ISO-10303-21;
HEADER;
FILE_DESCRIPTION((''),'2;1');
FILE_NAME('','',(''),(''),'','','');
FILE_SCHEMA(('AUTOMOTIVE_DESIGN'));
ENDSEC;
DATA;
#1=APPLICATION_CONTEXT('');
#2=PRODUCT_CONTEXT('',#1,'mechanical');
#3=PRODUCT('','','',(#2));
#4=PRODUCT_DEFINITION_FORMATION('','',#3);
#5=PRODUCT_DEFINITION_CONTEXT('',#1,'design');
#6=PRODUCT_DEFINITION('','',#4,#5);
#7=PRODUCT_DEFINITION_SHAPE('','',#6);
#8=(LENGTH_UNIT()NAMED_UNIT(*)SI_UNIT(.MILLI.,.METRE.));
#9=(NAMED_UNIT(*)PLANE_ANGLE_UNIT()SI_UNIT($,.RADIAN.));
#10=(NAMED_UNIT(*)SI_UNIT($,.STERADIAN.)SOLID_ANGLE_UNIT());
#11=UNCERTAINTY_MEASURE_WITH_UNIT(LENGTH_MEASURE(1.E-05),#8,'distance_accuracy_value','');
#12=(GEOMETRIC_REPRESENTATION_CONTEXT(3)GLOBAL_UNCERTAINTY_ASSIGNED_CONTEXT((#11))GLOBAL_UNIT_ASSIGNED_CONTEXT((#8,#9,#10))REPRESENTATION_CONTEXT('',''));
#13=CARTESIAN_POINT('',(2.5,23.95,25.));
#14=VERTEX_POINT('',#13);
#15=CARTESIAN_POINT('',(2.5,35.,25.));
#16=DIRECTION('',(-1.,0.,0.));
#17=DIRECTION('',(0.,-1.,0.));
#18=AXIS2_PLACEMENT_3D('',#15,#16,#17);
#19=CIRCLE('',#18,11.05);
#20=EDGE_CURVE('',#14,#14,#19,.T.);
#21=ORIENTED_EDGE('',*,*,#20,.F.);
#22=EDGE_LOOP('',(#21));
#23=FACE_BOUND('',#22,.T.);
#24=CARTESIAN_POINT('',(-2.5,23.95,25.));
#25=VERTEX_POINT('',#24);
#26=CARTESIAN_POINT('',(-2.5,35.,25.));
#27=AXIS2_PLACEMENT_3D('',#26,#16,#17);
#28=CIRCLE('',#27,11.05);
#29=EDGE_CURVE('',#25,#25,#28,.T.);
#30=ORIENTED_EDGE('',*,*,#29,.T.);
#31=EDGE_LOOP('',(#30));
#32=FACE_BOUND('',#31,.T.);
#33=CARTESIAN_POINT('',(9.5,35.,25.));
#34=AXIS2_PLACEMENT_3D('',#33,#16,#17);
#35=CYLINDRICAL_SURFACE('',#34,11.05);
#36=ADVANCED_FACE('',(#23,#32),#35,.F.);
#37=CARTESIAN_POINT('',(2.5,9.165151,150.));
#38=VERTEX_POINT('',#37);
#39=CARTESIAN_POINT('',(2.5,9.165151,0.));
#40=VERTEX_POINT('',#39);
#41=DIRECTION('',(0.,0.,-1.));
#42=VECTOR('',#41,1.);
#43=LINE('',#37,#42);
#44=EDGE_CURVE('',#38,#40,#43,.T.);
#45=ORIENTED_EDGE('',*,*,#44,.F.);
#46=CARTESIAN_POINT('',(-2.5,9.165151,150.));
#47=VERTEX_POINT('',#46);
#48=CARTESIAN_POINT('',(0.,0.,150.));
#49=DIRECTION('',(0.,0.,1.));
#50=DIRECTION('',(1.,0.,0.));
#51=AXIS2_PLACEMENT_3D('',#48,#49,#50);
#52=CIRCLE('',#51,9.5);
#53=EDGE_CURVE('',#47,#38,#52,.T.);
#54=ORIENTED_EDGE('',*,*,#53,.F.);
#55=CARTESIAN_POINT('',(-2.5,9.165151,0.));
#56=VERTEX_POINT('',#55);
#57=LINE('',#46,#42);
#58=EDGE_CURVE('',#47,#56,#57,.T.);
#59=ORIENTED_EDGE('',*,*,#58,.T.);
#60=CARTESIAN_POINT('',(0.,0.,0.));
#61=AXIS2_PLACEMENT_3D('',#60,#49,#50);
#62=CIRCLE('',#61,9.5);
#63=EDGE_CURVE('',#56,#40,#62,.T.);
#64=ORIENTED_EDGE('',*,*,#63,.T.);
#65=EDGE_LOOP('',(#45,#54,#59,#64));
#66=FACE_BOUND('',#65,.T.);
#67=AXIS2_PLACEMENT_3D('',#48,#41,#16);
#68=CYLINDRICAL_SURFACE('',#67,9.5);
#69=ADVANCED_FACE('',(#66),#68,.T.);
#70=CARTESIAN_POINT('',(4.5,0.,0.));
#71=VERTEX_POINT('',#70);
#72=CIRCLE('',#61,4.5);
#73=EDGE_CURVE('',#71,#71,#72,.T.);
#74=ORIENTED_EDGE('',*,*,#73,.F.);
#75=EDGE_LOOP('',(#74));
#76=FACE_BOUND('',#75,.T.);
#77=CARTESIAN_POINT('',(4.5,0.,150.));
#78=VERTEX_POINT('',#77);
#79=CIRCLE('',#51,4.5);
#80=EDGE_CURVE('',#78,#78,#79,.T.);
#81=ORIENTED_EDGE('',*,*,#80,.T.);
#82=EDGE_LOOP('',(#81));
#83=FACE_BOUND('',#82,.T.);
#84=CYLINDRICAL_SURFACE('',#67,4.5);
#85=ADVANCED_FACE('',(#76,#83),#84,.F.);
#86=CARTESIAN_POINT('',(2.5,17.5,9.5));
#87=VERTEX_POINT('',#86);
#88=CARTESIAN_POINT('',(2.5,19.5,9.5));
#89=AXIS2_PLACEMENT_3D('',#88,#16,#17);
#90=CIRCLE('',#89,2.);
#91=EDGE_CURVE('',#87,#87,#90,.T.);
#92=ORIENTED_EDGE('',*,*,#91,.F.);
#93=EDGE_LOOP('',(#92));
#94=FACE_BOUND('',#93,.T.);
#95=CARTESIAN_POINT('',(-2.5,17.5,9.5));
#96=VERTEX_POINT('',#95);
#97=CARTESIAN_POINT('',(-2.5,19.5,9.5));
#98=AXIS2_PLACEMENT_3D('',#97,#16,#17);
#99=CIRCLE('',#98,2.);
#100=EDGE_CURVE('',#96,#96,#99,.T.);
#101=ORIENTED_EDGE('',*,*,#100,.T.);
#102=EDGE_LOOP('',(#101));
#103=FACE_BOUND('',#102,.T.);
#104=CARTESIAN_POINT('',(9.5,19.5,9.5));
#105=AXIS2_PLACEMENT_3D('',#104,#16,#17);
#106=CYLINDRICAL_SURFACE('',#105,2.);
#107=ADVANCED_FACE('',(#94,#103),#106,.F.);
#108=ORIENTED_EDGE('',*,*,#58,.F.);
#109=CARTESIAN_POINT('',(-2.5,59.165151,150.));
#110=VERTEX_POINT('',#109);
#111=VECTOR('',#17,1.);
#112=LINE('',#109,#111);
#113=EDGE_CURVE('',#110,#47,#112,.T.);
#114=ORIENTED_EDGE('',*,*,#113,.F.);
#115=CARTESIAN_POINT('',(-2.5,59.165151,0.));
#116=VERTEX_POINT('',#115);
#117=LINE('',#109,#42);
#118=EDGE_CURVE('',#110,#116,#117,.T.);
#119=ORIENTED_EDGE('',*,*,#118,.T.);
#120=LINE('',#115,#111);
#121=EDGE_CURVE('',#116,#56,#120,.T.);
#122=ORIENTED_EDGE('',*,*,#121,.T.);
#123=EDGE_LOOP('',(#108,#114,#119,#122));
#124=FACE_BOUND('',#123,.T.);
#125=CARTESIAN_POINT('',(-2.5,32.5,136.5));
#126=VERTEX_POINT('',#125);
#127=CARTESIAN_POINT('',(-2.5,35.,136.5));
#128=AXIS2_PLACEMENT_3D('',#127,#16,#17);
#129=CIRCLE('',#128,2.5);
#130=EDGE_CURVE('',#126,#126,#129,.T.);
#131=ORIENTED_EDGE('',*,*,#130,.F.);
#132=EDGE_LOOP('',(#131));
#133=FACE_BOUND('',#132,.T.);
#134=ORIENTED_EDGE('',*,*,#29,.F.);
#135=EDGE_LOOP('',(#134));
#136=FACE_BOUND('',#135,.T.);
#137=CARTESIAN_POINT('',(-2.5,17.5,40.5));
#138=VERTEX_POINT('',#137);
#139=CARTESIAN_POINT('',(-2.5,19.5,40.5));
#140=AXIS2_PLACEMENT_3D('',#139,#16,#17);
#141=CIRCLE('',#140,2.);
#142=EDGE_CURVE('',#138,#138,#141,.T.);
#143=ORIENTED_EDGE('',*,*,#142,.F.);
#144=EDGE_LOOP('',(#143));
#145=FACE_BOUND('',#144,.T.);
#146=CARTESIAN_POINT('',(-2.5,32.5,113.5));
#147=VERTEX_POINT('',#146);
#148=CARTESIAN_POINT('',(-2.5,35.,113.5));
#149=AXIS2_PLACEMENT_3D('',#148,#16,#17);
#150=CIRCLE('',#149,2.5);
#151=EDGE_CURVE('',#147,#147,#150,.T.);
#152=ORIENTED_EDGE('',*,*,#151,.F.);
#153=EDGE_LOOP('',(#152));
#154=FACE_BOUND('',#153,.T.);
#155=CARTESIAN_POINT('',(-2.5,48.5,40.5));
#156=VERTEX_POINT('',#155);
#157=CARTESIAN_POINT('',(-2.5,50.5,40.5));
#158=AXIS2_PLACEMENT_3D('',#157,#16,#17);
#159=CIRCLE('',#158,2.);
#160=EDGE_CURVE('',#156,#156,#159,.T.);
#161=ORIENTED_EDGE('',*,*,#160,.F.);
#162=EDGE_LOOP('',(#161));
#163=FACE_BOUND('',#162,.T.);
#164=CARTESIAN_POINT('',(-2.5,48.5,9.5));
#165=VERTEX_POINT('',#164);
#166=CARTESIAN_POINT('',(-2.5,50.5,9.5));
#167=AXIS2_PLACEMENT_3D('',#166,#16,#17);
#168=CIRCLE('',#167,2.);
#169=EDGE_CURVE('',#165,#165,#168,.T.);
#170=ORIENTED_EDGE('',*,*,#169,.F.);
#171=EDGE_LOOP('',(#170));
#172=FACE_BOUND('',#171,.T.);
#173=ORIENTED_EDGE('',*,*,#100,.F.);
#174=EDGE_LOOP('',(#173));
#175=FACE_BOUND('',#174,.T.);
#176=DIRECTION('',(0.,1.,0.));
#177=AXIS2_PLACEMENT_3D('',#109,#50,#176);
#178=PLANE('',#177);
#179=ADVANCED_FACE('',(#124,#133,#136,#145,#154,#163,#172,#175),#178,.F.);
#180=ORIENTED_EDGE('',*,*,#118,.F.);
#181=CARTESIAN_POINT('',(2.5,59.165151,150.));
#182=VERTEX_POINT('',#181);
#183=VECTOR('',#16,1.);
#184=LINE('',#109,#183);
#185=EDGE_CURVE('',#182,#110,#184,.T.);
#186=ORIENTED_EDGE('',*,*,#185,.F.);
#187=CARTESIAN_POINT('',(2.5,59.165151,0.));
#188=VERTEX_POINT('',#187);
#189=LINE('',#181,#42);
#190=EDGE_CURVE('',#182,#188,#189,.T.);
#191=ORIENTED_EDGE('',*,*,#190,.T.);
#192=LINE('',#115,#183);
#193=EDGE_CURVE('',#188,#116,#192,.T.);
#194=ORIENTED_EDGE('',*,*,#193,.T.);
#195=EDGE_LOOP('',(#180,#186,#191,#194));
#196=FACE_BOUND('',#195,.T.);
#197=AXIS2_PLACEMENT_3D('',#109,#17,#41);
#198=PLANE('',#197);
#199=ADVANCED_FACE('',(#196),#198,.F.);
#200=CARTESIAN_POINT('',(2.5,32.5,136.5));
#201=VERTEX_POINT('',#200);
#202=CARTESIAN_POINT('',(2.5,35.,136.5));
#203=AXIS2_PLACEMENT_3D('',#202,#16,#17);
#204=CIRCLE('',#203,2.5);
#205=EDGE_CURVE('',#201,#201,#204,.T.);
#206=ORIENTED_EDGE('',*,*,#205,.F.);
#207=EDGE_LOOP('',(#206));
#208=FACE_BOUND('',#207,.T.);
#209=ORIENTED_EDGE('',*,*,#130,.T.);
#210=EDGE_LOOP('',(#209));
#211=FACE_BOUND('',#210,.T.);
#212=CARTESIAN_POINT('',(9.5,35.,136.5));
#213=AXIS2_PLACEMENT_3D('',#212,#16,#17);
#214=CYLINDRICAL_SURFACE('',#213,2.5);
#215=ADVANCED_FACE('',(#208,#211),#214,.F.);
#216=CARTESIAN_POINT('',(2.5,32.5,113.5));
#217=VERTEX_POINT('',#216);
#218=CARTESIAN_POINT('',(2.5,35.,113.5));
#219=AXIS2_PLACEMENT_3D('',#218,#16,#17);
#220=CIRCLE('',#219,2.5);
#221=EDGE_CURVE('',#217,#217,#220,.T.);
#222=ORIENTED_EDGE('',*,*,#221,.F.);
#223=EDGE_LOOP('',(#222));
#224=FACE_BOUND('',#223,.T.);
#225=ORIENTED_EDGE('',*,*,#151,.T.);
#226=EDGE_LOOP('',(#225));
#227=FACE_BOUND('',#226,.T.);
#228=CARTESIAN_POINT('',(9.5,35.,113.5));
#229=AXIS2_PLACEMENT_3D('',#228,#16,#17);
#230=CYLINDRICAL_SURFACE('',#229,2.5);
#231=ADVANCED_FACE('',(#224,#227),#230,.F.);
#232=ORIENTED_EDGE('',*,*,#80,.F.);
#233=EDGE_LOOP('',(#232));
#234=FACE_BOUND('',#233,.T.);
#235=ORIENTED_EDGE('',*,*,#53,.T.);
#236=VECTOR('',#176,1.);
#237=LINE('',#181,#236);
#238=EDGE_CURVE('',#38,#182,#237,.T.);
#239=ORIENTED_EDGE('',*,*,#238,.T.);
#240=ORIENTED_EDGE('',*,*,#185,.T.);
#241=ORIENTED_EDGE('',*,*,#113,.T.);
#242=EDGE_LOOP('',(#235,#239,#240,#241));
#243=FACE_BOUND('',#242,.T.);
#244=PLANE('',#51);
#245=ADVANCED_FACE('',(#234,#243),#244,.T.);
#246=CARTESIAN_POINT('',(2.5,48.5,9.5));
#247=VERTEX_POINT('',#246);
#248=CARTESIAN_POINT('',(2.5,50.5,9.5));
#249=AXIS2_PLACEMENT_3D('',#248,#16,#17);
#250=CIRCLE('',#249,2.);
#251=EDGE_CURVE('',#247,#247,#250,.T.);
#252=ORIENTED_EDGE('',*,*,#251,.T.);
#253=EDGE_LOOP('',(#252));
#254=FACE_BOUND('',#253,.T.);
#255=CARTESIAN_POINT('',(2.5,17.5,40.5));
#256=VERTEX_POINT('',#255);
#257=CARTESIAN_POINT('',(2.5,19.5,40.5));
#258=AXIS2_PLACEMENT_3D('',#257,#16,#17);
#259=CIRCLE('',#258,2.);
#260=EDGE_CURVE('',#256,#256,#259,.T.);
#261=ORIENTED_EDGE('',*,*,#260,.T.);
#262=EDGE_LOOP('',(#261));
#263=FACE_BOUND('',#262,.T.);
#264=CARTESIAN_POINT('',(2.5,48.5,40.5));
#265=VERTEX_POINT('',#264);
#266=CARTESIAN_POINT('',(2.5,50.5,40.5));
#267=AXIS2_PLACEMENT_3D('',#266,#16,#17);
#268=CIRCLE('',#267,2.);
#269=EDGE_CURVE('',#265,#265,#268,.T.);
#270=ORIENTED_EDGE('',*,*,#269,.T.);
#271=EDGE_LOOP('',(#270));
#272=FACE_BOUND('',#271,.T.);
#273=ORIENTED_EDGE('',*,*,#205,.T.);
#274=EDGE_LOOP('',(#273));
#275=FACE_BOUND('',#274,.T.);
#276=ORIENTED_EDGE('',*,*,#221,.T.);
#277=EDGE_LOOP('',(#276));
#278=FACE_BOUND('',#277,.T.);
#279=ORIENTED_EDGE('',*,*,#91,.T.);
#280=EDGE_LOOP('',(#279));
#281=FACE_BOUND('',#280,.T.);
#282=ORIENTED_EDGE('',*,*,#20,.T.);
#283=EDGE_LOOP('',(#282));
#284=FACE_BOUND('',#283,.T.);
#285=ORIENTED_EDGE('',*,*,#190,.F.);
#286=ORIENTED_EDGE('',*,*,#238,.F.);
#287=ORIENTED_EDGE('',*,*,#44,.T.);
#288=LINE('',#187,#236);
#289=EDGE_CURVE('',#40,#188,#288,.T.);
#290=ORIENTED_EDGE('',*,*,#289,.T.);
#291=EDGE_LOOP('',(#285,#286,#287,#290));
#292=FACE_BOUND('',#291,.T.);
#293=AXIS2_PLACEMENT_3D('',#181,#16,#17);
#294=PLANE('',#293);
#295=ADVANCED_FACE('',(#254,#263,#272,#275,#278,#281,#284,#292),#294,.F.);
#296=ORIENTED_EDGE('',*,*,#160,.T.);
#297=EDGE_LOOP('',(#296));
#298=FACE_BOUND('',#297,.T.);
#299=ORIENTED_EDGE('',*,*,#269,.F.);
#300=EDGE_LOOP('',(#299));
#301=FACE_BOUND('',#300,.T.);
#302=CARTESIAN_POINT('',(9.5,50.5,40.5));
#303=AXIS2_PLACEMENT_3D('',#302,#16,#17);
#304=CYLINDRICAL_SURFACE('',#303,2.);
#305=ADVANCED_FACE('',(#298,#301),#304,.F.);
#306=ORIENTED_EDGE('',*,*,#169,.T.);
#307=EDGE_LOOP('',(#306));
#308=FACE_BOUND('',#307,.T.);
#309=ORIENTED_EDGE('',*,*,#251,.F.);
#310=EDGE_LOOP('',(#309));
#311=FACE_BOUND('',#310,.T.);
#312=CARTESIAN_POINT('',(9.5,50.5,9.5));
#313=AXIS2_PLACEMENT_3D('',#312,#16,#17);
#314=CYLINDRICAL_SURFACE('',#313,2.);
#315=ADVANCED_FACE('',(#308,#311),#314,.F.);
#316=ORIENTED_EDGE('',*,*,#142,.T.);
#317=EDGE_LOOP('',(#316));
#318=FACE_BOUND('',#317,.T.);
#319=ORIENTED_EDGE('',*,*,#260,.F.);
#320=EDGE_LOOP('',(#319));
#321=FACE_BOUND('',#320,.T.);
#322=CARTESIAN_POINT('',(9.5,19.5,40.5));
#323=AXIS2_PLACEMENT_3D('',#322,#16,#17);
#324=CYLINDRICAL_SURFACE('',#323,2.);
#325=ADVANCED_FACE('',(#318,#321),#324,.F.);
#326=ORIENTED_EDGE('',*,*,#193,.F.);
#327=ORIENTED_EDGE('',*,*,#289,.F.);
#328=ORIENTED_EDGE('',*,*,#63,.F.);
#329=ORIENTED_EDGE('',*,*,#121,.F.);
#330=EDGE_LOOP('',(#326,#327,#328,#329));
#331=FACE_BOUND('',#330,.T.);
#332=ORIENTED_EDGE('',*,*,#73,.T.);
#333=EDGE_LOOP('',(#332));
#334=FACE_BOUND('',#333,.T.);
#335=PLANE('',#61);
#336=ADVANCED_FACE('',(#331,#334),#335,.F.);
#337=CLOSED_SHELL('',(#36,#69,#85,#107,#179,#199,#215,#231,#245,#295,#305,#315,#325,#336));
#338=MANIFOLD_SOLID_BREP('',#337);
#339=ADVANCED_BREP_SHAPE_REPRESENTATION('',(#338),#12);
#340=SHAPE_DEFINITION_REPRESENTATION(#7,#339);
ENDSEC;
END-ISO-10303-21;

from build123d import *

# Parameters (mm, degrees)
SKETCH1_R           = 4.5
BOSS_EXTRUDE1_DEPTH = 150
SKETCH2_R           = 2
SKETCH2_R_2         = 11.05
CUT_EXTRUDE1_DEPTH  = 162.692656416
SKETCH3_R           = 2.5
CUT_EXTRUDE2_DEPTH  = 162.692656416


with BuildPart() as part:
    # Sketch1 → Boss-Extrude1 (new body)
    with BuildSketch(Plane.XY):
        with BuildLine():
            Line((-2.5, 59.16515139), (-2.5, 9.16515139))
            ThreePointArc((-2.5, 9.16515139), (0, -9.5), (2.5, 9.16515139))
            Line((2.5, 9.16515139), (2.5, 59.16515139))
            Line((2.5, 59.16515139), (-2.5, 59.16515139))
        make_face()
        Circle(SKETCH1_R, mode=Mode.SUBTRACT)
    extrude(amount=BOSS_EXTRUDE1_DEPTH)

    # Sketch2 → Cut-Extrude1 (cut, through all)
    with BuildSketch(Plane.ZY.offset(2.5)):
        with Locations(Location((9.5, 50.5, 0), (0, 0, 270))):
            Circle(SKETCH2_R)
        with Locations(Location((40.5, 50.5, 0), (0, 0, 270))):
            Circle(SKETCH2_R)
        with Locations(Location((40.5, 19.5, 0), (0, 0, 270))):
            Circle(SKETCH2_R)
        with Locations(Location((9.5, 19.5, 0), (0, 0, 270))):
            Circle(SKETCH2_R)
        with Locations(Location((25, 35, 0), (0, 0, 270))):
            Circle(SKETCH2_R_2)
    extrude(amount=-CUT_EXTRUDE1_DEPTH, mode=Mode.SUBTRACT)

    # Sketch3 → Cut-Extrude2 (cut, through all)
    with BuildSketch(Plane.ZY.offset(2.5)):
        with Locations(Location((113.5, 35, 0), (0, 0, 270))):
            Circle(SKETCH3_R)
        with Locations(Location((136.5, 35, 0), (0, 0, 270))):
            Circle(SKETCH3_R)
    extrude(amount=-CUT_EXTRUDE2_DEPTH, mode=Mode.SUBTRACT)


solid = part.part
